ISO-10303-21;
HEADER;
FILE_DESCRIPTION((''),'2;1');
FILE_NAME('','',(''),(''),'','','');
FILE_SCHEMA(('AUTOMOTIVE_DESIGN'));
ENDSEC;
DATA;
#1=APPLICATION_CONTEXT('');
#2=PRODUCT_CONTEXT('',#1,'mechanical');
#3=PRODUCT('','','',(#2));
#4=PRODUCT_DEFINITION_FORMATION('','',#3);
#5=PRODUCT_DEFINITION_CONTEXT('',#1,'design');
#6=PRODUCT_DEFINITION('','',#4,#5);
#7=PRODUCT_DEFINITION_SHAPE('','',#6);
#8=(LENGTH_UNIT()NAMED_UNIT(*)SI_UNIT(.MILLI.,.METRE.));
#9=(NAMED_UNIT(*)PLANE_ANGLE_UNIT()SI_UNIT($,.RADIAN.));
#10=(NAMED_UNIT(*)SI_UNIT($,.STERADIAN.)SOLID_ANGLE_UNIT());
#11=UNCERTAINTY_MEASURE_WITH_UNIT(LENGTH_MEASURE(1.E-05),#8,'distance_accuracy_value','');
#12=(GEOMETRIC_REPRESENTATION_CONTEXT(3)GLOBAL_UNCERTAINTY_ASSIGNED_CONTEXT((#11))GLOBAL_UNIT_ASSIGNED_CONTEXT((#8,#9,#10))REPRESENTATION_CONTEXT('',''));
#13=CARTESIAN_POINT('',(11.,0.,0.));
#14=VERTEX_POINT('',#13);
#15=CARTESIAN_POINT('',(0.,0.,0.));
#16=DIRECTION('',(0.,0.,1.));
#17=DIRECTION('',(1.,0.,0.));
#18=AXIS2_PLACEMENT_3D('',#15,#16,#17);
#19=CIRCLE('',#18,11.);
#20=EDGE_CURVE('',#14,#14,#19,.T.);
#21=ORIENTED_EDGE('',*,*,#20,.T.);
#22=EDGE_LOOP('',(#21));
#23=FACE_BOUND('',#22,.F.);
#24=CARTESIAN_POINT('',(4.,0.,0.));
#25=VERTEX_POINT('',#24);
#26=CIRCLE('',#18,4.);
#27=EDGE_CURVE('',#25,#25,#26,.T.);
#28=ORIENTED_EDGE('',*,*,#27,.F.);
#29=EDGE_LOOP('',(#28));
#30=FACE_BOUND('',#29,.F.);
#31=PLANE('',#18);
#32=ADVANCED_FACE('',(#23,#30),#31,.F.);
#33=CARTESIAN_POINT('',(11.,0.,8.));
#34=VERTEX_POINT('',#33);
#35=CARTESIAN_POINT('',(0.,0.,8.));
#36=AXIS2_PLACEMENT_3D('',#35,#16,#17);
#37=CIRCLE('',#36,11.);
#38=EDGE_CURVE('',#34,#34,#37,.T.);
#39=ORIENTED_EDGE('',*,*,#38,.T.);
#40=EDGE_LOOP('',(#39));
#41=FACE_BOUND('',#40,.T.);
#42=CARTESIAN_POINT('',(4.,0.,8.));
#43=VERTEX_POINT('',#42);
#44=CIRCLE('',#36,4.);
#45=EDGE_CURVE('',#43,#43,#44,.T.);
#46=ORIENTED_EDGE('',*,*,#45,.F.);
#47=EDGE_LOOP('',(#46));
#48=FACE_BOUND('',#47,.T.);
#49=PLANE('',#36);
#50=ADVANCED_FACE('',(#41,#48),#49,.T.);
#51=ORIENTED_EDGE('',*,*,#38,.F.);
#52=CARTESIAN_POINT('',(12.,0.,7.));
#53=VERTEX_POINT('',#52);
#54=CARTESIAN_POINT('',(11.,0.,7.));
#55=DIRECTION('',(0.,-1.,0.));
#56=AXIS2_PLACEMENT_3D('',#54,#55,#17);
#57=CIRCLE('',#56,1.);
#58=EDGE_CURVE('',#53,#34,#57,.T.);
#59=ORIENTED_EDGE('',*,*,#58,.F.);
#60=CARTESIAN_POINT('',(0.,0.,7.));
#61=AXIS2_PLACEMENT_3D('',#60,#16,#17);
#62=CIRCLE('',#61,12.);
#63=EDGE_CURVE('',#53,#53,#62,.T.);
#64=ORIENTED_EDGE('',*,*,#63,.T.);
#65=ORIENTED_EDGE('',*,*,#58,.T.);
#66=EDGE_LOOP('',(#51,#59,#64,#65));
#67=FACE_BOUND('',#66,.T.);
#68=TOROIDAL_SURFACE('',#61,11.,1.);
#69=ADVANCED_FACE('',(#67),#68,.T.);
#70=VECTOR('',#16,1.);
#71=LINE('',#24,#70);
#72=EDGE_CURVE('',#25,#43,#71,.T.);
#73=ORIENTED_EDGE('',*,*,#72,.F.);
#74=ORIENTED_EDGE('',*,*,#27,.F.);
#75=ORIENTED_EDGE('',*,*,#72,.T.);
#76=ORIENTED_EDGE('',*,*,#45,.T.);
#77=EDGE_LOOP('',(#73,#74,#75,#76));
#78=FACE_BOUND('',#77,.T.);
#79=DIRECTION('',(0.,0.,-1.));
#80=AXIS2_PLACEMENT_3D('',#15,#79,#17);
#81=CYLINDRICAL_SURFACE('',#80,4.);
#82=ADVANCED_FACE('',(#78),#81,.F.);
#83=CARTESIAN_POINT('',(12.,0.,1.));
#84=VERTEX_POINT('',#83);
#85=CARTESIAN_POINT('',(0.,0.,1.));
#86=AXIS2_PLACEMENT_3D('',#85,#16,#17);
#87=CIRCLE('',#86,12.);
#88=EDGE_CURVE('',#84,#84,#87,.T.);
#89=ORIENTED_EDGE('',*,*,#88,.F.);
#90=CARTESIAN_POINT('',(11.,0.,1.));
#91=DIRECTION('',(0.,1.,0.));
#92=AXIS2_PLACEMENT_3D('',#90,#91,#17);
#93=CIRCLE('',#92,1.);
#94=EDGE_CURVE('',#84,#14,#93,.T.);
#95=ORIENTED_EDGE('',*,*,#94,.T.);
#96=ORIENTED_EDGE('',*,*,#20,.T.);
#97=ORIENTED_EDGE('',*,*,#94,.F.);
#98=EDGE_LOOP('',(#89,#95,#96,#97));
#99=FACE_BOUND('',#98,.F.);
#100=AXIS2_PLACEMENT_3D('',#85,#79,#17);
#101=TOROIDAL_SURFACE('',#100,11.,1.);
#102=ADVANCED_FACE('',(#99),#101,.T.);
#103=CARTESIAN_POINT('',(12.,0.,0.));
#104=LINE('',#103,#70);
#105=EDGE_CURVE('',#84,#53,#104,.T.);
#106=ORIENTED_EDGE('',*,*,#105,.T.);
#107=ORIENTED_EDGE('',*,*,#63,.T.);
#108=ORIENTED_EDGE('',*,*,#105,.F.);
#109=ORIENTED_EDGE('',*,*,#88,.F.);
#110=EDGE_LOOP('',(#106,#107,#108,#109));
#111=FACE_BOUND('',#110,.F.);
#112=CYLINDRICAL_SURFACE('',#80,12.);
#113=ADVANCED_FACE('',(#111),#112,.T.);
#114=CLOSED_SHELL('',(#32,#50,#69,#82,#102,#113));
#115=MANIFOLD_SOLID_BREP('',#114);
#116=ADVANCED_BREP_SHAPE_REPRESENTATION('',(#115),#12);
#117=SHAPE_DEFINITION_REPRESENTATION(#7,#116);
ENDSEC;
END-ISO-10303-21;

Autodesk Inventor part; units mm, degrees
ref_plane "YZ Plane" through (0, 0, 0) normal (1, 0, 0) x (0, 1, 0)
ref_plane "XZ Plane" through (0, 0, 0) normal (0, 1, 0) x (-1, 0, 0)
ref_plane "XY Plane" through (0, 0, 0) normal (0, 0, 1) x (1, 0, 0)
sketch "Sketch1" plane through (0, 0, 0) normal (0, 0, 1) x (1, 0, 0)
  circle A0 centre (0, 0) radius 12
  circle A1 centre (0, 0) radius 4
  dimension "d0" = 24
  dimension "d1" = 8
extrude "Extrusion1" add sketch "Sketch1" along normal blind 8
fillet "Fillet1" radius 1 2 edges at (-12, 0, 8) (-12, 0, 0)
properties part number "pieza.rodamiento"
